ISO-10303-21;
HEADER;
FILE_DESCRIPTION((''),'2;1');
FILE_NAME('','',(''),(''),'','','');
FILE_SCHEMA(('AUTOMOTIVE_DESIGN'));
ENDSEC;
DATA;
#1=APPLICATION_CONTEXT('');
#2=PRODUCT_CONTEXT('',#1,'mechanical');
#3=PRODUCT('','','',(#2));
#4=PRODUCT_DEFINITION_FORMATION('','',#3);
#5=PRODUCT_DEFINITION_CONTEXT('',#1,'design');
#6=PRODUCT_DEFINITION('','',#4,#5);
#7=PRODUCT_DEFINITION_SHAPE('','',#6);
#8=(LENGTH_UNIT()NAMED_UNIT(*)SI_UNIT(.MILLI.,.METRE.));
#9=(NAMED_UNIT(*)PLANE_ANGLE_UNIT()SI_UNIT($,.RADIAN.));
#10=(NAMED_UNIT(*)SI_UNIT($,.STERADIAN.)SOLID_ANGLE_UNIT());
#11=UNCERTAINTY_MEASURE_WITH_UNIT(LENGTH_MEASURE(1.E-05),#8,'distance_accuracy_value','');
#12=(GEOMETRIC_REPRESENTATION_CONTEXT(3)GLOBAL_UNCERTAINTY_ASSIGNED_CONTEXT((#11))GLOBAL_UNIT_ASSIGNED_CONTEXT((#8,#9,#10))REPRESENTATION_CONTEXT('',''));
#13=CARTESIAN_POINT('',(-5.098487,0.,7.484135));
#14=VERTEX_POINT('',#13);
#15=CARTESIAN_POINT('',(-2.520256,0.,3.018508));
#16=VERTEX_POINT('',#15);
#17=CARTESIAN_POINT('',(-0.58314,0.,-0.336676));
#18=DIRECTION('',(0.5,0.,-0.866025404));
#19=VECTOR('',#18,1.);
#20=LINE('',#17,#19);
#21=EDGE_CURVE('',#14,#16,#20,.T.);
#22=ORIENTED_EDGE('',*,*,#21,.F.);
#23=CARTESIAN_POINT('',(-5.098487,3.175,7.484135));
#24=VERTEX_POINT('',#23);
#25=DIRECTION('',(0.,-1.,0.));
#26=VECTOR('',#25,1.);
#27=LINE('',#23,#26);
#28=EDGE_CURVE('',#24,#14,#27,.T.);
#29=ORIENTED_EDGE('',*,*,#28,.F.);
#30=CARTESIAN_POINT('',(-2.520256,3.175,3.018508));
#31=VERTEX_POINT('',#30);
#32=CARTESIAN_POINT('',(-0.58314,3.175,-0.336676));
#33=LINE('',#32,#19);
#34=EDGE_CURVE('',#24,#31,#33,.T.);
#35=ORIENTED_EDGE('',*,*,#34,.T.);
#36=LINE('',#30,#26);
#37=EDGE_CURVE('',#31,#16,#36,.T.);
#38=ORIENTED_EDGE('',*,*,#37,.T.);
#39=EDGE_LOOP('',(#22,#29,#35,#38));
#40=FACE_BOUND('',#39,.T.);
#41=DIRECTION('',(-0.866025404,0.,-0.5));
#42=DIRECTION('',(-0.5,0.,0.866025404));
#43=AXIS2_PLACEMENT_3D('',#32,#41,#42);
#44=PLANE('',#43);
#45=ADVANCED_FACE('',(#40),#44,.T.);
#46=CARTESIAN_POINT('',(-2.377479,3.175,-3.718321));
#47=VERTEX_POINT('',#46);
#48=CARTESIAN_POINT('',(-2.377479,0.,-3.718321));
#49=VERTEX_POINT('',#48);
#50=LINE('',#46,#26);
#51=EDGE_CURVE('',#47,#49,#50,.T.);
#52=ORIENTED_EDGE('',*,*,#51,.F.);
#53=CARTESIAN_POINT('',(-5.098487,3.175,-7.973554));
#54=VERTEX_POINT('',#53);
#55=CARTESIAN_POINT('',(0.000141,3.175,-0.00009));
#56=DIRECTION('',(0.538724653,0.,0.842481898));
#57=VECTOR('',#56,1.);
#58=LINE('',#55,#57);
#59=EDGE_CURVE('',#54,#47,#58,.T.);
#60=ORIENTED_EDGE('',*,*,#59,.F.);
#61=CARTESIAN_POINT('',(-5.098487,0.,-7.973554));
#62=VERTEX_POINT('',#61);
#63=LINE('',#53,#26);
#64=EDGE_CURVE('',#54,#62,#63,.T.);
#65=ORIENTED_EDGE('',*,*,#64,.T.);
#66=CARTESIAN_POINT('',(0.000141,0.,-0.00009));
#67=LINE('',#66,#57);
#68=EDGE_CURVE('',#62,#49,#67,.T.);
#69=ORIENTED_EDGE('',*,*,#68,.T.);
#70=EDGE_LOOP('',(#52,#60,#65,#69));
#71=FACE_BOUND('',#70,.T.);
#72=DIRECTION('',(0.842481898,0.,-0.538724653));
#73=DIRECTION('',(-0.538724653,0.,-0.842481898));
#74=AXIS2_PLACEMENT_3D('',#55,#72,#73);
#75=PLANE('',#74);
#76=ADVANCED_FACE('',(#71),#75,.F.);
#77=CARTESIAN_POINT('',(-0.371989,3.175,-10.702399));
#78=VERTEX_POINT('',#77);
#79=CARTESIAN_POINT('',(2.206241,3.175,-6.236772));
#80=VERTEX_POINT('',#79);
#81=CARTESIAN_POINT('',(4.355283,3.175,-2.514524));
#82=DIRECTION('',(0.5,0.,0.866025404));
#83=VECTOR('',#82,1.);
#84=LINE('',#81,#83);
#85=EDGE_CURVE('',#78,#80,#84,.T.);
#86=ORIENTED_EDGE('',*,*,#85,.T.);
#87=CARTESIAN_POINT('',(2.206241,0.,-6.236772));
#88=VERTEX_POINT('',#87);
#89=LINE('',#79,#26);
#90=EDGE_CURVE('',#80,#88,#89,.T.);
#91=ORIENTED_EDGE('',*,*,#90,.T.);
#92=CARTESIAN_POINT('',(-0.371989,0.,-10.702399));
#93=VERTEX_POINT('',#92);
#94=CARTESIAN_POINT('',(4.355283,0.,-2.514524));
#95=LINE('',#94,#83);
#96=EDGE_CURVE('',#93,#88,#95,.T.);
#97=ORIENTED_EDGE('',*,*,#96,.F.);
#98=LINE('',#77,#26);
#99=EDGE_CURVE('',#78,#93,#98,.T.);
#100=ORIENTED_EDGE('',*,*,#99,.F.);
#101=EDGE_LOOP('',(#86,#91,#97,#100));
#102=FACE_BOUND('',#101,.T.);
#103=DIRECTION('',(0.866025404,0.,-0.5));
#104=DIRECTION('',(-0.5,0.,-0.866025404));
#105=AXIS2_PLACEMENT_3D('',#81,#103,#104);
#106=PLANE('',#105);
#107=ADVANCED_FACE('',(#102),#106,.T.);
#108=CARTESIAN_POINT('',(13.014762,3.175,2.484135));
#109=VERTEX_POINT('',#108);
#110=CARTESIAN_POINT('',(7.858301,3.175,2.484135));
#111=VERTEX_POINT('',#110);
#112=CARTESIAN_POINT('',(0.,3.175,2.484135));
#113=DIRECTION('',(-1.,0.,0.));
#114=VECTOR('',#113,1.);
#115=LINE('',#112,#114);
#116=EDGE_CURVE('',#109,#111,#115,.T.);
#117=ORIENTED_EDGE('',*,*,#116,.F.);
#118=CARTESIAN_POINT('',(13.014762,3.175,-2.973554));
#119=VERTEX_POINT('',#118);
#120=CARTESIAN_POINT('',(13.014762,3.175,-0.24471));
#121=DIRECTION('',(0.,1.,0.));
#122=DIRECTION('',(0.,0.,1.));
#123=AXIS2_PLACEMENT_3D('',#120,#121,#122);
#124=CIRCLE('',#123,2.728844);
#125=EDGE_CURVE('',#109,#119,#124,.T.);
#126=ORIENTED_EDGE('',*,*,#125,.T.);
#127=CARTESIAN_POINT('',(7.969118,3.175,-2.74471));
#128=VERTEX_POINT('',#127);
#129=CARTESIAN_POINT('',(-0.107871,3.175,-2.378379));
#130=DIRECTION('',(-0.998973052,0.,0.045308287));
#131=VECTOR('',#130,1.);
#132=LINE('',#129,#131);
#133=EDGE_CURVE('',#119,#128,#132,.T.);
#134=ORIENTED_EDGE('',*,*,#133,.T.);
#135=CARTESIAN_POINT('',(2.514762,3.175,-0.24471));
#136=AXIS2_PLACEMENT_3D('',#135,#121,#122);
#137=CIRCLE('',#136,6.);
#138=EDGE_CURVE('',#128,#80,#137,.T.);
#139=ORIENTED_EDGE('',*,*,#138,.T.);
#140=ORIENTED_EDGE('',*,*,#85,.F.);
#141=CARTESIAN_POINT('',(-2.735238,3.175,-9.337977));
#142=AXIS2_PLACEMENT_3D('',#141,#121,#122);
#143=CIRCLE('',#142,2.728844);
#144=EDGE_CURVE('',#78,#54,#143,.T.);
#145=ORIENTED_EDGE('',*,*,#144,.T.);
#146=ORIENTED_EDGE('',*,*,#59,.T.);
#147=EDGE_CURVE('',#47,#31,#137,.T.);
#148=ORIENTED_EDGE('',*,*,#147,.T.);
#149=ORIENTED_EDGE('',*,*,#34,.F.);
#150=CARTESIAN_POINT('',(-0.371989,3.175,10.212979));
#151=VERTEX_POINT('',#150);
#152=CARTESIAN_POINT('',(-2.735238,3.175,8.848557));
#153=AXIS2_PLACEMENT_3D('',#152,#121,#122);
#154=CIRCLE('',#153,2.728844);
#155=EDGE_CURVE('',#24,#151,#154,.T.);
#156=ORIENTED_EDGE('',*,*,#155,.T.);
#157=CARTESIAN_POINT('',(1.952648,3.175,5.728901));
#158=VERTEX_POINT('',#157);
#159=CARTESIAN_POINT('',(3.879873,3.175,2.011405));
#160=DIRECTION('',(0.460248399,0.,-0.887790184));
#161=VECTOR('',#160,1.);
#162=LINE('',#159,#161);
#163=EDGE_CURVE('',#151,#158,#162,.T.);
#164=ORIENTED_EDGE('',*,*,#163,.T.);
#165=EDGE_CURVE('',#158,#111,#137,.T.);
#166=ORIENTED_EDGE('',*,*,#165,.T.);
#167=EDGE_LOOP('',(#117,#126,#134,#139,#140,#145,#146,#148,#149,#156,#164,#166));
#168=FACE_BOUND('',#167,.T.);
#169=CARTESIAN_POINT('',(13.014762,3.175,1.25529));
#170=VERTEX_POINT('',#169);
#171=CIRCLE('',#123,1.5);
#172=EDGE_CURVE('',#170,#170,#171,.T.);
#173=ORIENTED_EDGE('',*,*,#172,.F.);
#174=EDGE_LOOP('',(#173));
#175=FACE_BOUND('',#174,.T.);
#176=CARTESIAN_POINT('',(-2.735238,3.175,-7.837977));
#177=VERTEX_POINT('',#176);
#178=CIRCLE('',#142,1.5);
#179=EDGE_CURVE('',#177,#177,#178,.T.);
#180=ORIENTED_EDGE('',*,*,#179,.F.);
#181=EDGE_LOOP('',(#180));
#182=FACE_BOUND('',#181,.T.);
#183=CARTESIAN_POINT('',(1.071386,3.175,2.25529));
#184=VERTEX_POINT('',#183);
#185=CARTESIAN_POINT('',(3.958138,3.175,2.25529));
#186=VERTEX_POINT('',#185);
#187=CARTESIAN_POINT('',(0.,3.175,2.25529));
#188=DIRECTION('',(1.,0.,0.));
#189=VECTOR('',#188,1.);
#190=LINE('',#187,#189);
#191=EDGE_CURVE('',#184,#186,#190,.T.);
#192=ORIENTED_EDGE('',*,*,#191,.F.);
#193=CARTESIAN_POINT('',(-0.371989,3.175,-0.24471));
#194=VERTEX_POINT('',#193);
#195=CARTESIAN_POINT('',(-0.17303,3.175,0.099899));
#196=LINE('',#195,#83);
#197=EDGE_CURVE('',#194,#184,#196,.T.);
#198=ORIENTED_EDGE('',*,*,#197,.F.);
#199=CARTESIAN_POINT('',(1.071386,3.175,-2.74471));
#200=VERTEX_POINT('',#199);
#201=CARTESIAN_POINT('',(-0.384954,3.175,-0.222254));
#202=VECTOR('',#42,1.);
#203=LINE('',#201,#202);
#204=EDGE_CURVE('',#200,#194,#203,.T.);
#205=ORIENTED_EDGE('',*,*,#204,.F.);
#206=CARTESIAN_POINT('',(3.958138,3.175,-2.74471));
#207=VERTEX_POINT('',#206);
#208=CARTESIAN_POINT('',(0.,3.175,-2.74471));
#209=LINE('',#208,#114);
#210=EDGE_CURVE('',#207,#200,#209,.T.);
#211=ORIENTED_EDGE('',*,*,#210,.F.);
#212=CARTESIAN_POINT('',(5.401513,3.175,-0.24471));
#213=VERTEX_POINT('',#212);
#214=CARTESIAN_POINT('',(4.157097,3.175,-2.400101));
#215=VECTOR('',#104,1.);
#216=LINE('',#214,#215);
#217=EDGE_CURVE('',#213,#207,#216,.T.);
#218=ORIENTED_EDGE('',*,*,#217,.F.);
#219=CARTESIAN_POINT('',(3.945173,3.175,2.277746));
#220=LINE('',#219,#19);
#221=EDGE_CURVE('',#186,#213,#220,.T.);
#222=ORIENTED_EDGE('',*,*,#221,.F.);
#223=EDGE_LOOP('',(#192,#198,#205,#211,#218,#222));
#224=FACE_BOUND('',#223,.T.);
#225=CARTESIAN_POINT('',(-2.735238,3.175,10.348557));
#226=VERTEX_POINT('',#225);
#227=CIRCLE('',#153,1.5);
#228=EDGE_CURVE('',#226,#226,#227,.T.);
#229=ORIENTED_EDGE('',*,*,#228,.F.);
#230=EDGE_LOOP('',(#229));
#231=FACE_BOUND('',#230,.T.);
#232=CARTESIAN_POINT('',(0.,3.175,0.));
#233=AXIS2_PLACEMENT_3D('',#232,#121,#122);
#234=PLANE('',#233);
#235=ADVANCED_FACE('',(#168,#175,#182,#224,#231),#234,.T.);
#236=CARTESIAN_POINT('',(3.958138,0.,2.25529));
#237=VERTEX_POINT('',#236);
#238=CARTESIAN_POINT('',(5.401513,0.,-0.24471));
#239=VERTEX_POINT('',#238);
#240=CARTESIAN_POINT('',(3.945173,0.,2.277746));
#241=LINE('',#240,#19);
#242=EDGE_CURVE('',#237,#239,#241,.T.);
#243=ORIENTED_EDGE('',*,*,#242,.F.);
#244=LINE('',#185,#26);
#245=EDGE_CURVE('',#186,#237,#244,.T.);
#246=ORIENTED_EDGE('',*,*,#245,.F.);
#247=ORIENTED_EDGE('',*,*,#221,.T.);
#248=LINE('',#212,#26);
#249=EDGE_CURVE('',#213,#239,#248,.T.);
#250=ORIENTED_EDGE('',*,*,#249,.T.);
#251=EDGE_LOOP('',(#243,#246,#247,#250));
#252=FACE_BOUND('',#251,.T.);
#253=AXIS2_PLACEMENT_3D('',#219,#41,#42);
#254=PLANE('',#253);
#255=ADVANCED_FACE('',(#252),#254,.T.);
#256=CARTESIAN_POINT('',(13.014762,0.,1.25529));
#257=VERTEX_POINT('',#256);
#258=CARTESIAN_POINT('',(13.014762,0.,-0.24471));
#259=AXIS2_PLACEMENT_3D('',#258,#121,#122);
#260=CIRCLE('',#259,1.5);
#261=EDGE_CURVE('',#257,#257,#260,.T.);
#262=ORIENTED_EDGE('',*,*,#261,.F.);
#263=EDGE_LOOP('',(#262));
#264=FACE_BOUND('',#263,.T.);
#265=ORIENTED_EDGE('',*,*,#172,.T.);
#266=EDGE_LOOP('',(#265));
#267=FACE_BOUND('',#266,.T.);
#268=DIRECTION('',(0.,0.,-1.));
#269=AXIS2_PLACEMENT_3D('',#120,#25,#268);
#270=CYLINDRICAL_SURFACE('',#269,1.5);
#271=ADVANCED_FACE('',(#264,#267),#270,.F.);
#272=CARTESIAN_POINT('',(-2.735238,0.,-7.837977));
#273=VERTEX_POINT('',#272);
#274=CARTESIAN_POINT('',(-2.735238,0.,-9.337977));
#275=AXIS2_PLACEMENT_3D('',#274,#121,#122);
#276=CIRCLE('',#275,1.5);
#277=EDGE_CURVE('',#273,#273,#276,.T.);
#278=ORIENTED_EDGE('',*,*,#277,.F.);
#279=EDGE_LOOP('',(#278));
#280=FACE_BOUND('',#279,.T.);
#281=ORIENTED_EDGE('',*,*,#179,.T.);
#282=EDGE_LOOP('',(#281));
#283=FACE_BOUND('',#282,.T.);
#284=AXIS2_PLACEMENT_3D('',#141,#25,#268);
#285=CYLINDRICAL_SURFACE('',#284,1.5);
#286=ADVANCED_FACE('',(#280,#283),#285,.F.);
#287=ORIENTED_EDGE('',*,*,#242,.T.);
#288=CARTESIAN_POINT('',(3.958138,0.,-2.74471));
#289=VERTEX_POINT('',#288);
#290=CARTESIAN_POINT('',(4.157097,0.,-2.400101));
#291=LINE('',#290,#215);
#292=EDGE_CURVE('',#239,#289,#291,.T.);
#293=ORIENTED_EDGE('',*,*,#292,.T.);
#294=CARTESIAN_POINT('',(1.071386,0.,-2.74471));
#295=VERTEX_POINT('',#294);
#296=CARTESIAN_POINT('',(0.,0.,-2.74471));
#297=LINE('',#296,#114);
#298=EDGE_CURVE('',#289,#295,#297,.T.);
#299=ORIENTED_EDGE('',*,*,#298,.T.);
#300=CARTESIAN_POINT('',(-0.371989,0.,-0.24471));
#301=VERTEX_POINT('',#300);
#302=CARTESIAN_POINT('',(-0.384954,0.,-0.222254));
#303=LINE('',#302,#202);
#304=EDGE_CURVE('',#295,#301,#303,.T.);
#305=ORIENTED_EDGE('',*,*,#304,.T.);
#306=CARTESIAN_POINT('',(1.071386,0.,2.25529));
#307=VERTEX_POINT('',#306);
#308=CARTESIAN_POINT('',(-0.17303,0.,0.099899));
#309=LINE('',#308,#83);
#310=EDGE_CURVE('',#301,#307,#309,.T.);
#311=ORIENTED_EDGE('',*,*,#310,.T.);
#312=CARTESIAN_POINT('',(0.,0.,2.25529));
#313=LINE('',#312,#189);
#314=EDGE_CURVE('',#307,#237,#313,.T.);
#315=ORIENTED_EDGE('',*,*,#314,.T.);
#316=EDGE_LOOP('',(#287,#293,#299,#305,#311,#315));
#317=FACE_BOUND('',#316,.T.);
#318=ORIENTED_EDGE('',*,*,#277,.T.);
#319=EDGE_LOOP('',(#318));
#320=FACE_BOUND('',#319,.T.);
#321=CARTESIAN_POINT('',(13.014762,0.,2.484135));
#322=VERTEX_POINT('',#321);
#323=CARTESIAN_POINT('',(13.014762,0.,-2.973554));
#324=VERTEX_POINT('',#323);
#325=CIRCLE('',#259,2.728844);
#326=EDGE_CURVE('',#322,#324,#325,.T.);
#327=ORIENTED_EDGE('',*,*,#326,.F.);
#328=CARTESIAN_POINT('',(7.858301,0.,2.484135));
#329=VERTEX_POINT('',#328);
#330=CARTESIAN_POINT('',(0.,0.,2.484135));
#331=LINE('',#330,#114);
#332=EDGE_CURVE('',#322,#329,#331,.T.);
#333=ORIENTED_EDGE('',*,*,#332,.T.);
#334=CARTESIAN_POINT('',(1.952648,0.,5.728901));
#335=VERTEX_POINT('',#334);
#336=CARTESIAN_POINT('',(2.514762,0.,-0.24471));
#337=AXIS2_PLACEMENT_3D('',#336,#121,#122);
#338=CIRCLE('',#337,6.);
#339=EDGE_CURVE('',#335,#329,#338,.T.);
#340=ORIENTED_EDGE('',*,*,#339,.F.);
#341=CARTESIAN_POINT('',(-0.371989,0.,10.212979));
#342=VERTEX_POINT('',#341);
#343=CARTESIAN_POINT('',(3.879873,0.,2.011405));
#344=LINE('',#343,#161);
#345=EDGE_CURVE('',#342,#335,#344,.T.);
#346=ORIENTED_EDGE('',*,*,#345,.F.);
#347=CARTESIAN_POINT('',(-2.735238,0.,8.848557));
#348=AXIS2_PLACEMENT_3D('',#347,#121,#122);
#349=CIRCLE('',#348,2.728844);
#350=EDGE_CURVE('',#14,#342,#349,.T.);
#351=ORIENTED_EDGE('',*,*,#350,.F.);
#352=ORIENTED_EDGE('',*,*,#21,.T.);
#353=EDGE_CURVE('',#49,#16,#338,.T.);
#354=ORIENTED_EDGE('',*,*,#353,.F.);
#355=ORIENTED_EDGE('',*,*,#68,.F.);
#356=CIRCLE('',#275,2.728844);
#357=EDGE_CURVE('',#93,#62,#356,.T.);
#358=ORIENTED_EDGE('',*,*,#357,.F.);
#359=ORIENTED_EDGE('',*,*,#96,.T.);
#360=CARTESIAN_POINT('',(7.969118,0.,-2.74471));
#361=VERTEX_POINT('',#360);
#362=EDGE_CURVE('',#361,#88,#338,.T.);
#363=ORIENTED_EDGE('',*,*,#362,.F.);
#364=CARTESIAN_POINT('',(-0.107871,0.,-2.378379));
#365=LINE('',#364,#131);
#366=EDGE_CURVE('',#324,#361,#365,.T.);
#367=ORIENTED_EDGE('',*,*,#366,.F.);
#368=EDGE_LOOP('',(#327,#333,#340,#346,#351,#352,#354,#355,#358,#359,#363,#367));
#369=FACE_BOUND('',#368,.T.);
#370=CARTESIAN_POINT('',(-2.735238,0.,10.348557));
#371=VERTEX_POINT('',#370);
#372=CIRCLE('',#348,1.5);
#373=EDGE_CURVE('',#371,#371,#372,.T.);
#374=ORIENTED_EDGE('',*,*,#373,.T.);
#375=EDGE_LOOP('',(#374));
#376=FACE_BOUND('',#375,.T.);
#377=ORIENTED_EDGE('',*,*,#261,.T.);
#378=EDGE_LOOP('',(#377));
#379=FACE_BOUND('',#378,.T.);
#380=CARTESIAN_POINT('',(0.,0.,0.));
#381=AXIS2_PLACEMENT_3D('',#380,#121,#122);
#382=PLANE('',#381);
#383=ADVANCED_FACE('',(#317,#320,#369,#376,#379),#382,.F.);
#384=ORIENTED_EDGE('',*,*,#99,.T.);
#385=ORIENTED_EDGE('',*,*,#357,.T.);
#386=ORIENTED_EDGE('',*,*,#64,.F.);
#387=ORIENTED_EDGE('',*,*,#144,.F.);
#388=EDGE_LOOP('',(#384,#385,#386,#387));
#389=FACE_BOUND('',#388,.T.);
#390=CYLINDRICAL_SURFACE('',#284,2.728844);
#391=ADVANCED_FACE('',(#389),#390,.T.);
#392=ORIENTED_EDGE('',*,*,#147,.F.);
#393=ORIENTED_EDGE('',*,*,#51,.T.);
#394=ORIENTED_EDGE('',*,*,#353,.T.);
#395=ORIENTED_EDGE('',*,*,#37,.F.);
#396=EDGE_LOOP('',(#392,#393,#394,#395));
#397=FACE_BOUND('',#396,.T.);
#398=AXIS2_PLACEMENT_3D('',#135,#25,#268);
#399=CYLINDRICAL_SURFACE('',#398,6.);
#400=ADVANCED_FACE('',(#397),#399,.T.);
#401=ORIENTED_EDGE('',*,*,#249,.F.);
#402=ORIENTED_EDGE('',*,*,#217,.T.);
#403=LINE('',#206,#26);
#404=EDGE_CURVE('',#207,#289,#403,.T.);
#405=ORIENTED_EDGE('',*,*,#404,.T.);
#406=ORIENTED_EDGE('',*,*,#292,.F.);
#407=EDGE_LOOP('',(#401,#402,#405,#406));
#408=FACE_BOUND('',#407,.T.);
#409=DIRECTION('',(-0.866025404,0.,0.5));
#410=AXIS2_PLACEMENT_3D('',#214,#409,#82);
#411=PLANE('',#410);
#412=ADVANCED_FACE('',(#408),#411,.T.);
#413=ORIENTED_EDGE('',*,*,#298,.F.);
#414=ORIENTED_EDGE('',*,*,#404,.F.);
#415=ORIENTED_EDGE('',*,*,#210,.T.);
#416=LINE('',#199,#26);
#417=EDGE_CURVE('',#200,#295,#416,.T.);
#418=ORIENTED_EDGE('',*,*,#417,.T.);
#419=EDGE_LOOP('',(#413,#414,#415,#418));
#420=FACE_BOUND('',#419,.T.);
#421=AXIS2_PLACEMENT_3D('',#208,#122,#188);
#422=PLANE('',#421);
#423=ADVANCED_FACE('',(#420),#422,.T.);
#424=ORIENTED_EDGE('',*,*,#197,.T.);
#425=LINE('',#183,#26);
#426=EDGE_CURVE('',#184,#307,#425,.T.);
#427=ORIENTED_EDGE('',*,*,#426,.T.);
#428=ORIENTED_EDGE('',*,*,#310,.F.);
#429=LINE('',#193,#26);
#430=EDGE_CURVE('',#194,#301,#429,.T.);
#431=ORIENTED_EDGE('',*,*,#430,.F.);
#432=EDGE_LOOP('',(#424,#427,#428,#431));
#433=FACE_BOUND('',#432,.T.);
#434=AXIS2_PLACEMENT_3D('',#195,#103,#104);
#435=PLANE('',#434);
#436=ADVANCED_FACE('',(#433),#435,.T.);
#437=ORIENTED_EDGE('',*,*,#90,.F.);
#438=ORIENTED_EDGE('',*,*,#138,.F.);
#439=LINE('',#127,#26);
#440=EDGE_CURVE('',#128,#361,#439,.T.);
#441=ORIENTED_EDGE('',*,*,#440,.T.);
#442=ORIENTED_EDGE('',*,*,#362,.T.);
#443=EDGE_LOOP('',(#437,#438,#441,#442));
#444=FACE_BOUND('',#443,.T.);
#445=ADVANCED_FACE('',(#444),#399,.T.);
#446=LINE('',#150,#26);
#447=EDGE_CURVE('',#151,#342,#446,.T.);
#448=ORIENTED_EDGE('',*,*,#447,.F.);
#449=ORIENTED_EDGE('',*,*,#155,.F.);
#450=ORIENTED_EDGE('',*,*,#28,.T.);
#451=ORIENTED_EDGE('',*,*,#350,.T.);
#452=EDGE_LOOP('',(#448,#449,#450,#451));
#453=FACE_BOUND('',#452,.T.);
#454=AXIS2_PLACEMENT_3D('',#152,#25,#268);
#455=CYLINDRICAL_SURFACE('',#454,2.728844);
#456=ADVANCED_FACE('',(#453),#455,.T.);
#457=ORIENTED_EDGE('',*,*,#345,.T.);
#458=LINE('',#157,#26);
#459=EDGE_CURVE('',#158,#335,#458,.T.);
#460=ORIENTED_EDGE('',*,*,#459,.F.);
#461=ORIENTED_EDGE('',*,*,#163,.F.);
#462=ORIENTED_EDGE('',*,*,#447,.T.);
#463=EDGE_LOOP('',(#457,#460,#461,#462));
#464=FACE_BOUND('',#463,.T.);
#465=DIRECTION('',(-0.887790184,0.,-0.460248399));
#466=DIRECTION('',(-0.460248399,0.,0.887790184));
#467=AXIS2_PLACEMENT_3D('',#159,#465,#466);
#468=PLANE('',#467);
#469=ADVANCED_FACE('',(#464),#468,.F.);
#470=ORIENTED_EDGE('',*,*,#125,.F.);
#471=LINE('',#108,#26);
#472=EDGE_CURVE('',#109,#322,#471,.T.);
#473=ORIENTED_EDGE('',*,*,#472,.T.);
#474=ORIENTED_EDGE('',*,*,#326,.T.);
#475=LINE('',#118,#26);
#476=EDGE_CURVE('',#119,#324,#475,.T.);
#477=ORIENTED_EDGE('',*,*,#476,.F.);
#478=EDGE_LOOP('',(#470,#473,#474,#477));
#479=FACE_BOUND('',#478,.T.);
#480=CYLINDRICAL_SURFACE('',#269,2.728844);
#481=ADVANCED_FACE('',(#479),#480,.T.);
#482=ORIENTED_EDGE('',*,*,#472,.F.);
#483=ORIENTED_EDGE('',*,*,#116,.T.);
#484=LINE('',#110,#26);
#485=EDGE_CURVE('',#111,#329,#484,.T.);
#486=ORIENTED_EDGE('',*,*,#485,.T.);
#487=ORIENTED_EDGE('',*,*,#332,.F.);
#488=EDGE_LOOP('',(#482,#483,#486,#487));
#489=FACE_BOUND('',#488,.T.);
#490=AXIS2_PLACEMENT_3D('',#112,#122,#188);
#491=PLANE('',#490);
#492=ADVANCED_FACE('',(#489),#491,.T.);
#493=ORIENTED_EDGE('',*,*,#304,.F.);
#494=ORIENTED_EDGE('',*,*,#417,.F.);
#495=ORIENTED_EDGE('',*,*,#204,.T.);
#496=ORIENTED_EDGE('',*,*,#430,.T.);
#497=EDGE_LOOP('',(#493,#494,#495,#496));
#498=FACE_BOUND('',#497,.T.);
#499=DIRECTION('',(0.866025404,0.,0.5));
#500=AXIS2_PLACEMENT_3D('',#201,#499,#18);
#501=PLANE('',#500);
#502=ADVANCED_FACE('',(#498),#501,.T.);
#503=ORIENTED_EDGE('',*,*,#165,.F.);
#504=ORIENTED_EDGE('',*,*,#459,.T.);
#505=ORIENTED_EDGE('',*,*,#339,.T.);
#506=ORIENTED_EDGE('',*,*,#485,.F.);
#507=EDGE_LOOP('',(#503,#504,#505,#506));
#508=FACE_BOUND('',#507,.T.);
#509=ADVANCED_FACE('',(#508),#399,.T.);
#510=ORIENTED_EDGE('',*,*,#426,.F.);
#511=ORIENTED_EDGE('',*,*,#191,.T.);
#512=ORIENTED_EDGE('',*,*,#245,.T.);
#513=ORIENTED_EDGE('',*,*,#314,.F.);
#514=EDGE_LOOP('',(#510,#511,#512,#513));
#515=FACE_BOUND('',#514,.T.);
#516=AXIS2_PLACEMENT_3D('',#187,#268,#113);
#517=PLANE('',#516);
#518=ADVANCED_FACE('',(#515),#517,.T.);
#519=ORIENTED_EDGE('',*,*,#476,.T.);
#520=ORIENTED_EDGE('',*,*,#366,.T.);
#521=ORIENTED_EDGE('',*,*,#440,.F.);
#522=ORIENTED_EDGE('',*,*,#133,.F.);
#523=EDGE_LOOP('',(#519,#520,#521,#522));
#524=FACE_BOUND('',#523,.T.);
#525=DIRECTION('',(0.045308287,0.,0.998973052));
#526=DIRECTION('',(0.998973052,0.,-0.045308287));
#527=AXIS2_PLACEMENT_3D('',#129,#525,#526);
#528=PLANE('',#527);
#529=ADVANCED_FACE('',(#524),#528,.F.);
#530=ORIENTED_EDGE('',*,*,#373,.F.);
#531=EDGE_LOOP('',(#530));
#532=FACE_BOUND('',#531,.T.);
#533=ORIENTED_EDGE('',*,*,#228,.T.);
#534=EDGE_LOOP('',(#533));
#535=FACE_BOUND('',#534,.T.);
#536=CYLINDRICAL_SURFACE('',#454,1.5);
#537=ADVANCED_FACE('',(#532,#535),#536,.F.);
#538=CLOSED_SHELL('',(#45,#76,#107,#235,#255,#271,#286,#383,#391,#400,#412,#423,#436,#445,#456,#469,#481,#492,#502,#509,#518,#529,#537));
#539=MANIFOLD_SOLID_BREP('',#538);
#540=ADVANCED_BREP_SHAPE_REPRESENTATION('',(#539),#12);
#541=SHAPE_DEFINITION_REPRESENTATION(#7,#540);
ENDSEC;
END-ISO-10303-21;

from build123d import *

# Parameters (mm, degrees)
SKETCH1_R           = 1.5
BOSS_EXTRUDE1_DEPTH = 3.175


with BuildPart() as part:
    # Sketch1 → Boss-Extrude1 (new body)
    with BuildSketch(Plane(origin=(0, 0, 0), x_dir=(1, 0, 0), z_dir=(0, 1, 0))):
        with BuildLine():
            Line((7.858300919, -2.484134681), (13.014762042, -2.484134681))
            ThreePointArc((13.014762042, -2.484134681), (15.743606535, 0.244709812), (13.014762042, 2.973554305))
            Line((13.014762042, 2.973554305), (7.969118099, 2.744709812))
            ThreePointArc((7.969118099, 2.744709812), (5.624188125, 5.376129638), (2.206241257, 6.236772472))
            Line((2.206241257, 6.236772472), (-0.371989304, 10.702398798))
            ThreePointArc((-0.371989304, 10.702398798), (-4.099660205, 11.701225206), (-5.098486612, 7.973554305))
            Line((-5.098486612, 7.973554305), (-2.377479496, 3.718320719))
            ThreePointArc((-2.377479496, 3.718320719), (-3.483890927, 0.371841879), (-2.520256051, -3.018508355))
            Line((-2.520256051, -3.018508355), (-5.098486612, -7.484134681))
            ThreePointArc((-5.098486612, -7.484134681), (-4.099660205, -11.211805582), (-0.371989304, -10.212979174))
            Line((-0.371989304, -10.212979174), (1.952647522, -5.728901095))
            ThreePointArc((1.952647522, -5.728901095), (5.403988927, -5.013842081), (7.858300919, -2.484134681))
        make_face()
        Polygon((3.958137715, 2.744709812), (5.401513388, 0.244709812), (3.958137715, -2.255290188), (1.071386369, -2.255290188), (-0.371989304, 0.244709812), (1.071386369, 2.744709812), align=None, mode=Mode.SUBTRACT)
        with Locations(Location((13.014762042, 0.244709812, 0), (0, 0, 270))):
            Circle(SKETCH1_R, mode=Mode.SUBTRACT)
        with Locations(Location((-2.735237958, 9.337976552, 0), (0, 0, 270))):
            Circle(SKETCH1_R, mode=Mode.SUBTRACT)
        with Locations(Location((-2.735237958, -8.848556928, 0), (0, 0, 270))):
            Circle(SKETCH1_R, mode=Mode.SUBTRACT)
    extrude(amount=BOSS_EXTRUDE1_DEPTH)


solid = part.part
